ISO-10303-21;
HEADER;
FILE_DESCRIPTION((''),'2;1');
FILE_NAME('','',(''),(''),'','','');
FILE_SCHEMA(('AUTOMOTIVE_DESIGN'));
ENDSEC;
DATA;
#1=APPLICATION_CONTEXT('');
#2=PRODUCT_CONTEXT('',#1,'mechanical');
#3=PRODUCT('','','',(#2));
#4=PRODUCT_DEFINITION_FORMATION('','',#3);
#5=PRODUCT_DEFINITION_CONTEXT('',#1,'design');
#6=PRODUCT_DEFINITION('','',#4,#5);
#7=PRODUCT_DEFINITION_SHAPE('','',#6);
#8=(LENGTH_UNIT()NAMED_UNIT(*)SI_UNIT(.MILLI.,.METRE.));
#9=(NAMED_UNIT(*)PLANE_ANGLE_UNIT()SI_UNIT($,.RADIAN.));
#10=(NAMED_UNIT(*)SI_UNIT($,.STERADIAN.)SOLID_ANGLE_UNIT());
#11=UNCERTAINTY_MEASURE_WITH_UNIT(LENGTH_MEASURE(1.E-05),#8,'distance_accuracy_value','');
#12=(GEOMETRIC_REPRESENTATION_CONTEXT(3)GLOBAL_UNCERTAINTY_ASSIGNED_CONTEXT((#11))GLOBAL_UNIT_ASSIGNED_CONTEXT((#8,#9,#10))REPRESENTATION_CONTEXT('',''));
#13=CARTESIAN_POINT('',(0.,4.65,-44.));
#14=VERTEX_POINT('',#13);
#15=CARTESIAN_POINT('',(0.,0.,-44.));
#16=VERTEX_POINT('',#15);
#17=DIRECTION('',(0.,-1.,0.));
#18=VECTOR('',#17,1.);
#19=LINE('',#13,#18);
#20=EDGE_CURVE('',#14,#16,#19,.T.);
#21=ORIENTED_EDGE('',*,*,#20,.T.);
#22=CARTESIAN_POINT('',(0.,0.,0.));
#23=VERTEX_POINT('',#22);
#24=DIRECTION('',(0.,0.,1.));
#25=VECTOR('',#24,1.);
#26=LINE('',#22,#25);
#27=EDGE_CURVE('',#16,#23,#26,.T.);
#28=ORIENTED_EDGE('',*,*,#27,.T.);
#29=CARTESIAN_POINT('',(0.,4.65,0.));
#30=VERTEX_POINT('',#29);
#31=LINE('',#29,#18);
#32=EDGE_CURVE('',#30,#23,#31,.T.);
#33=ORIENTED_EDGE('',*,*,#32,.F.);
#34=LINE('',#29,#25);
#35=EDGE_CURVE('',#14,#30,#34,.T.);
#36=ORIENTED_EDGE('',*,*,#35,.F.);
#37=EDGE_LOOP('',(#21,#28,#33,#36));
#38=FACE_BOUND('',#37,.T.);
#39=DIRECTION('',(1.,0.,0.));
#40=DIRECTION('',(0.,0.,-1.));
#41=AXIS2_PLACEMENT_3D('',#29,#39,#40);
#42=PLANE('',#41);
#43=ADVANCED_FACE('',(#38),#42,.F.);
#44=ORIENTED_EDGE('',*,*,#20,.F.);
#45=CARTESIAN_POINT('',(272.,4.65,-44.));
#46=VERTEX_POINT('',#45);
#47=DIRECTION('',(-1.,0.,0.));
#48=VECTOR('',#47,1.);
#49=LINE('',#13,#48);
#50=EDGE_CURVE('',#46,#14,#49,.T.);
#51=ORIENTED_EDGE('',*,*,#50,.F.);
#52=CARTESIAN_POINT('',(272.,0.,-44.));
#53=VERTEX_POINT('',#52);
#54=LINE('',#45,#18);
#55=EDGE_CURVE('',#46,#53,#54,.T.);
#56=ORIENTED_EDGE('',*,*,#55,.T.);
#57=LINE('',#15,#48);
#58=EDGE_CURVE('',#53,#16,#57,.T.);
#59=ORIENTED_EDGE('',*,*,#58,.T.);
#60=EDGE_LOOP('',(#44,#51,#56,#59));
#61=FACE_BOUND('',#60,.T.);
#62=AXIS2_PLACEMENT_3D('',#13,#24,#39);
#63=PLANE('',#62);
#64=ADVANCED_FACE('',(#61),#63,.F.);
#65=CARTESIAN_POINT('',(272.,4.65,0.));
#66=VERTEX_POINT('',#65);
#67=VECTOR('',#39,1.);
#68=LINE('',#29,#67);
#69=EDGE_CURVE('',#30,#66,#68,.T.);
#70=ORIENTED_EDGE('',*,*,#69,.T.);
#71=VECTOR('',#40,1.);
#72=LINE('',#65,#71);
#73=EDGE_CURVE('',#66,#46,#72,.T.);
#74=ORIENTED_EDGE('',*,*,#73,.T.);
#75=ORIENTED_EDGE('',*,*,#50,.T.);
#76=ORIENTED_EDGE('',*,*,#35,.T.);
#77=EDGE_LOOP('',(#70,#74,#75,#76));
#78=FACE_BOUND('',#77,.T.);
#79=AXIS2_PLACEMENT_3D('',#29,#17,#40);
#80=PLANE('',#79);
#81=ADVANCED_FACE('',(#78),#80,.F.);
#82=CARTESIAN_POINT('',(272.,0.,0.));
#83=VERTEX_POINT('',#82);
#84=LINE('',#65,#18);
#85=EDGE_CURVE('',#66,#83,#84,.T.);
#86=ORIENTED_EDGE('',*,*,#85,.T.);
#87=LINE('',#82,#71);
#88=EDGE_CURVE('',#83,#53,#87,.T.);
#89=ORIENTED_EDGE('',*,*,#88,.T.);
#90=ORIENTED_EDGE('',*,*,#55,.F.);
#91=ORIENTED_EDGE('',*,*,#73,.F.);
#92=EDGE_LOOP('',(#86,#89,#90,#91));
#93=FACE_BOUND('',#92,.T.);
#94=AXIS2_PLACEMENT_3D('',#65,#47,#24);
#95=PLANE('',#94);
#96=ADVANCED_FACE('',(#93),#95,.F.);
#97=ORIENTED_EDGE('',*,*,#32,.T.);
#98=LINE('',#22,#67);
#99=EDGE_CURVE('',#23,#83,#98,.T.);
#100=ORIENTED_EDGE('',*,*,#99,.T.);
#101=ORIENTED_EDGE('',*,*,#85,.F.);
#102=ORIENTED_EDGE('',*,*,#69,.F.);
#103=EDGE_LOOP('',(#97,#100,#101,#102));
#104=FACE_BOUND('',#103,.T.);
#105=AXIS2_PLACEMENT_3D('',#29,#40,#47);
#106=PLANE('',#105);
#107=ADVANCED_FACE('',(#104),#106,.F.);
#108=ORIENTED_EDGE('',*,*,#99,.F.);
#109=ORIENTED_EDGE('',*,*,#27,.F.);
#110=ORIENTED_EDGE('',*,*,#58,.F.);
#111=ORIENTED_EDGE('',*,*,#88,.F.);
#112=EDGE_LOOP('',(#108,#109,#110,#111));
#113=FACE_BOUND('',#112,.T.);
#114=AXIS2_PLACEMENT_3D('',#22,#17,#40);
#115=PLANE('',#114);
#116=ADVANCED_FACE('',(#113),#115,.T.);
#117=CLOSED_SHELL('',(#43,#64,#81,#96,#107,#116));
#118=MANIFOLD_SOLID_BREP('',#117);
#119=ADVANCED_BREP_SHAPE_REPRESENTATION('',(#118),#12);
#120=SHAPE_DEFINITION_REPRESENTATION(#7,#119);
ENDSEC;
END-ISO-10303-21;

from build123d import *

# Parameters (mm, degrees)
SKETCH_1_W      = 272
SKETCH_1_H      = 44
EXTRUDE_1_DEPTH = 4.65


with BuildPart() as part:
    # 草图1 → 凸台-拉伸1 (new body)
    with BuildSketch(Plane(origin=(0, 0, 0), x_dir=(1, 0, 0), z_dir=(0, 1, 0))):
        with Locations((136, 22)):
            Rectangle(SKETCH_1_W, SKETCH_1_H)
    extrude(amount=EXTRUDE_1_DEPTH)


solid = part.part
